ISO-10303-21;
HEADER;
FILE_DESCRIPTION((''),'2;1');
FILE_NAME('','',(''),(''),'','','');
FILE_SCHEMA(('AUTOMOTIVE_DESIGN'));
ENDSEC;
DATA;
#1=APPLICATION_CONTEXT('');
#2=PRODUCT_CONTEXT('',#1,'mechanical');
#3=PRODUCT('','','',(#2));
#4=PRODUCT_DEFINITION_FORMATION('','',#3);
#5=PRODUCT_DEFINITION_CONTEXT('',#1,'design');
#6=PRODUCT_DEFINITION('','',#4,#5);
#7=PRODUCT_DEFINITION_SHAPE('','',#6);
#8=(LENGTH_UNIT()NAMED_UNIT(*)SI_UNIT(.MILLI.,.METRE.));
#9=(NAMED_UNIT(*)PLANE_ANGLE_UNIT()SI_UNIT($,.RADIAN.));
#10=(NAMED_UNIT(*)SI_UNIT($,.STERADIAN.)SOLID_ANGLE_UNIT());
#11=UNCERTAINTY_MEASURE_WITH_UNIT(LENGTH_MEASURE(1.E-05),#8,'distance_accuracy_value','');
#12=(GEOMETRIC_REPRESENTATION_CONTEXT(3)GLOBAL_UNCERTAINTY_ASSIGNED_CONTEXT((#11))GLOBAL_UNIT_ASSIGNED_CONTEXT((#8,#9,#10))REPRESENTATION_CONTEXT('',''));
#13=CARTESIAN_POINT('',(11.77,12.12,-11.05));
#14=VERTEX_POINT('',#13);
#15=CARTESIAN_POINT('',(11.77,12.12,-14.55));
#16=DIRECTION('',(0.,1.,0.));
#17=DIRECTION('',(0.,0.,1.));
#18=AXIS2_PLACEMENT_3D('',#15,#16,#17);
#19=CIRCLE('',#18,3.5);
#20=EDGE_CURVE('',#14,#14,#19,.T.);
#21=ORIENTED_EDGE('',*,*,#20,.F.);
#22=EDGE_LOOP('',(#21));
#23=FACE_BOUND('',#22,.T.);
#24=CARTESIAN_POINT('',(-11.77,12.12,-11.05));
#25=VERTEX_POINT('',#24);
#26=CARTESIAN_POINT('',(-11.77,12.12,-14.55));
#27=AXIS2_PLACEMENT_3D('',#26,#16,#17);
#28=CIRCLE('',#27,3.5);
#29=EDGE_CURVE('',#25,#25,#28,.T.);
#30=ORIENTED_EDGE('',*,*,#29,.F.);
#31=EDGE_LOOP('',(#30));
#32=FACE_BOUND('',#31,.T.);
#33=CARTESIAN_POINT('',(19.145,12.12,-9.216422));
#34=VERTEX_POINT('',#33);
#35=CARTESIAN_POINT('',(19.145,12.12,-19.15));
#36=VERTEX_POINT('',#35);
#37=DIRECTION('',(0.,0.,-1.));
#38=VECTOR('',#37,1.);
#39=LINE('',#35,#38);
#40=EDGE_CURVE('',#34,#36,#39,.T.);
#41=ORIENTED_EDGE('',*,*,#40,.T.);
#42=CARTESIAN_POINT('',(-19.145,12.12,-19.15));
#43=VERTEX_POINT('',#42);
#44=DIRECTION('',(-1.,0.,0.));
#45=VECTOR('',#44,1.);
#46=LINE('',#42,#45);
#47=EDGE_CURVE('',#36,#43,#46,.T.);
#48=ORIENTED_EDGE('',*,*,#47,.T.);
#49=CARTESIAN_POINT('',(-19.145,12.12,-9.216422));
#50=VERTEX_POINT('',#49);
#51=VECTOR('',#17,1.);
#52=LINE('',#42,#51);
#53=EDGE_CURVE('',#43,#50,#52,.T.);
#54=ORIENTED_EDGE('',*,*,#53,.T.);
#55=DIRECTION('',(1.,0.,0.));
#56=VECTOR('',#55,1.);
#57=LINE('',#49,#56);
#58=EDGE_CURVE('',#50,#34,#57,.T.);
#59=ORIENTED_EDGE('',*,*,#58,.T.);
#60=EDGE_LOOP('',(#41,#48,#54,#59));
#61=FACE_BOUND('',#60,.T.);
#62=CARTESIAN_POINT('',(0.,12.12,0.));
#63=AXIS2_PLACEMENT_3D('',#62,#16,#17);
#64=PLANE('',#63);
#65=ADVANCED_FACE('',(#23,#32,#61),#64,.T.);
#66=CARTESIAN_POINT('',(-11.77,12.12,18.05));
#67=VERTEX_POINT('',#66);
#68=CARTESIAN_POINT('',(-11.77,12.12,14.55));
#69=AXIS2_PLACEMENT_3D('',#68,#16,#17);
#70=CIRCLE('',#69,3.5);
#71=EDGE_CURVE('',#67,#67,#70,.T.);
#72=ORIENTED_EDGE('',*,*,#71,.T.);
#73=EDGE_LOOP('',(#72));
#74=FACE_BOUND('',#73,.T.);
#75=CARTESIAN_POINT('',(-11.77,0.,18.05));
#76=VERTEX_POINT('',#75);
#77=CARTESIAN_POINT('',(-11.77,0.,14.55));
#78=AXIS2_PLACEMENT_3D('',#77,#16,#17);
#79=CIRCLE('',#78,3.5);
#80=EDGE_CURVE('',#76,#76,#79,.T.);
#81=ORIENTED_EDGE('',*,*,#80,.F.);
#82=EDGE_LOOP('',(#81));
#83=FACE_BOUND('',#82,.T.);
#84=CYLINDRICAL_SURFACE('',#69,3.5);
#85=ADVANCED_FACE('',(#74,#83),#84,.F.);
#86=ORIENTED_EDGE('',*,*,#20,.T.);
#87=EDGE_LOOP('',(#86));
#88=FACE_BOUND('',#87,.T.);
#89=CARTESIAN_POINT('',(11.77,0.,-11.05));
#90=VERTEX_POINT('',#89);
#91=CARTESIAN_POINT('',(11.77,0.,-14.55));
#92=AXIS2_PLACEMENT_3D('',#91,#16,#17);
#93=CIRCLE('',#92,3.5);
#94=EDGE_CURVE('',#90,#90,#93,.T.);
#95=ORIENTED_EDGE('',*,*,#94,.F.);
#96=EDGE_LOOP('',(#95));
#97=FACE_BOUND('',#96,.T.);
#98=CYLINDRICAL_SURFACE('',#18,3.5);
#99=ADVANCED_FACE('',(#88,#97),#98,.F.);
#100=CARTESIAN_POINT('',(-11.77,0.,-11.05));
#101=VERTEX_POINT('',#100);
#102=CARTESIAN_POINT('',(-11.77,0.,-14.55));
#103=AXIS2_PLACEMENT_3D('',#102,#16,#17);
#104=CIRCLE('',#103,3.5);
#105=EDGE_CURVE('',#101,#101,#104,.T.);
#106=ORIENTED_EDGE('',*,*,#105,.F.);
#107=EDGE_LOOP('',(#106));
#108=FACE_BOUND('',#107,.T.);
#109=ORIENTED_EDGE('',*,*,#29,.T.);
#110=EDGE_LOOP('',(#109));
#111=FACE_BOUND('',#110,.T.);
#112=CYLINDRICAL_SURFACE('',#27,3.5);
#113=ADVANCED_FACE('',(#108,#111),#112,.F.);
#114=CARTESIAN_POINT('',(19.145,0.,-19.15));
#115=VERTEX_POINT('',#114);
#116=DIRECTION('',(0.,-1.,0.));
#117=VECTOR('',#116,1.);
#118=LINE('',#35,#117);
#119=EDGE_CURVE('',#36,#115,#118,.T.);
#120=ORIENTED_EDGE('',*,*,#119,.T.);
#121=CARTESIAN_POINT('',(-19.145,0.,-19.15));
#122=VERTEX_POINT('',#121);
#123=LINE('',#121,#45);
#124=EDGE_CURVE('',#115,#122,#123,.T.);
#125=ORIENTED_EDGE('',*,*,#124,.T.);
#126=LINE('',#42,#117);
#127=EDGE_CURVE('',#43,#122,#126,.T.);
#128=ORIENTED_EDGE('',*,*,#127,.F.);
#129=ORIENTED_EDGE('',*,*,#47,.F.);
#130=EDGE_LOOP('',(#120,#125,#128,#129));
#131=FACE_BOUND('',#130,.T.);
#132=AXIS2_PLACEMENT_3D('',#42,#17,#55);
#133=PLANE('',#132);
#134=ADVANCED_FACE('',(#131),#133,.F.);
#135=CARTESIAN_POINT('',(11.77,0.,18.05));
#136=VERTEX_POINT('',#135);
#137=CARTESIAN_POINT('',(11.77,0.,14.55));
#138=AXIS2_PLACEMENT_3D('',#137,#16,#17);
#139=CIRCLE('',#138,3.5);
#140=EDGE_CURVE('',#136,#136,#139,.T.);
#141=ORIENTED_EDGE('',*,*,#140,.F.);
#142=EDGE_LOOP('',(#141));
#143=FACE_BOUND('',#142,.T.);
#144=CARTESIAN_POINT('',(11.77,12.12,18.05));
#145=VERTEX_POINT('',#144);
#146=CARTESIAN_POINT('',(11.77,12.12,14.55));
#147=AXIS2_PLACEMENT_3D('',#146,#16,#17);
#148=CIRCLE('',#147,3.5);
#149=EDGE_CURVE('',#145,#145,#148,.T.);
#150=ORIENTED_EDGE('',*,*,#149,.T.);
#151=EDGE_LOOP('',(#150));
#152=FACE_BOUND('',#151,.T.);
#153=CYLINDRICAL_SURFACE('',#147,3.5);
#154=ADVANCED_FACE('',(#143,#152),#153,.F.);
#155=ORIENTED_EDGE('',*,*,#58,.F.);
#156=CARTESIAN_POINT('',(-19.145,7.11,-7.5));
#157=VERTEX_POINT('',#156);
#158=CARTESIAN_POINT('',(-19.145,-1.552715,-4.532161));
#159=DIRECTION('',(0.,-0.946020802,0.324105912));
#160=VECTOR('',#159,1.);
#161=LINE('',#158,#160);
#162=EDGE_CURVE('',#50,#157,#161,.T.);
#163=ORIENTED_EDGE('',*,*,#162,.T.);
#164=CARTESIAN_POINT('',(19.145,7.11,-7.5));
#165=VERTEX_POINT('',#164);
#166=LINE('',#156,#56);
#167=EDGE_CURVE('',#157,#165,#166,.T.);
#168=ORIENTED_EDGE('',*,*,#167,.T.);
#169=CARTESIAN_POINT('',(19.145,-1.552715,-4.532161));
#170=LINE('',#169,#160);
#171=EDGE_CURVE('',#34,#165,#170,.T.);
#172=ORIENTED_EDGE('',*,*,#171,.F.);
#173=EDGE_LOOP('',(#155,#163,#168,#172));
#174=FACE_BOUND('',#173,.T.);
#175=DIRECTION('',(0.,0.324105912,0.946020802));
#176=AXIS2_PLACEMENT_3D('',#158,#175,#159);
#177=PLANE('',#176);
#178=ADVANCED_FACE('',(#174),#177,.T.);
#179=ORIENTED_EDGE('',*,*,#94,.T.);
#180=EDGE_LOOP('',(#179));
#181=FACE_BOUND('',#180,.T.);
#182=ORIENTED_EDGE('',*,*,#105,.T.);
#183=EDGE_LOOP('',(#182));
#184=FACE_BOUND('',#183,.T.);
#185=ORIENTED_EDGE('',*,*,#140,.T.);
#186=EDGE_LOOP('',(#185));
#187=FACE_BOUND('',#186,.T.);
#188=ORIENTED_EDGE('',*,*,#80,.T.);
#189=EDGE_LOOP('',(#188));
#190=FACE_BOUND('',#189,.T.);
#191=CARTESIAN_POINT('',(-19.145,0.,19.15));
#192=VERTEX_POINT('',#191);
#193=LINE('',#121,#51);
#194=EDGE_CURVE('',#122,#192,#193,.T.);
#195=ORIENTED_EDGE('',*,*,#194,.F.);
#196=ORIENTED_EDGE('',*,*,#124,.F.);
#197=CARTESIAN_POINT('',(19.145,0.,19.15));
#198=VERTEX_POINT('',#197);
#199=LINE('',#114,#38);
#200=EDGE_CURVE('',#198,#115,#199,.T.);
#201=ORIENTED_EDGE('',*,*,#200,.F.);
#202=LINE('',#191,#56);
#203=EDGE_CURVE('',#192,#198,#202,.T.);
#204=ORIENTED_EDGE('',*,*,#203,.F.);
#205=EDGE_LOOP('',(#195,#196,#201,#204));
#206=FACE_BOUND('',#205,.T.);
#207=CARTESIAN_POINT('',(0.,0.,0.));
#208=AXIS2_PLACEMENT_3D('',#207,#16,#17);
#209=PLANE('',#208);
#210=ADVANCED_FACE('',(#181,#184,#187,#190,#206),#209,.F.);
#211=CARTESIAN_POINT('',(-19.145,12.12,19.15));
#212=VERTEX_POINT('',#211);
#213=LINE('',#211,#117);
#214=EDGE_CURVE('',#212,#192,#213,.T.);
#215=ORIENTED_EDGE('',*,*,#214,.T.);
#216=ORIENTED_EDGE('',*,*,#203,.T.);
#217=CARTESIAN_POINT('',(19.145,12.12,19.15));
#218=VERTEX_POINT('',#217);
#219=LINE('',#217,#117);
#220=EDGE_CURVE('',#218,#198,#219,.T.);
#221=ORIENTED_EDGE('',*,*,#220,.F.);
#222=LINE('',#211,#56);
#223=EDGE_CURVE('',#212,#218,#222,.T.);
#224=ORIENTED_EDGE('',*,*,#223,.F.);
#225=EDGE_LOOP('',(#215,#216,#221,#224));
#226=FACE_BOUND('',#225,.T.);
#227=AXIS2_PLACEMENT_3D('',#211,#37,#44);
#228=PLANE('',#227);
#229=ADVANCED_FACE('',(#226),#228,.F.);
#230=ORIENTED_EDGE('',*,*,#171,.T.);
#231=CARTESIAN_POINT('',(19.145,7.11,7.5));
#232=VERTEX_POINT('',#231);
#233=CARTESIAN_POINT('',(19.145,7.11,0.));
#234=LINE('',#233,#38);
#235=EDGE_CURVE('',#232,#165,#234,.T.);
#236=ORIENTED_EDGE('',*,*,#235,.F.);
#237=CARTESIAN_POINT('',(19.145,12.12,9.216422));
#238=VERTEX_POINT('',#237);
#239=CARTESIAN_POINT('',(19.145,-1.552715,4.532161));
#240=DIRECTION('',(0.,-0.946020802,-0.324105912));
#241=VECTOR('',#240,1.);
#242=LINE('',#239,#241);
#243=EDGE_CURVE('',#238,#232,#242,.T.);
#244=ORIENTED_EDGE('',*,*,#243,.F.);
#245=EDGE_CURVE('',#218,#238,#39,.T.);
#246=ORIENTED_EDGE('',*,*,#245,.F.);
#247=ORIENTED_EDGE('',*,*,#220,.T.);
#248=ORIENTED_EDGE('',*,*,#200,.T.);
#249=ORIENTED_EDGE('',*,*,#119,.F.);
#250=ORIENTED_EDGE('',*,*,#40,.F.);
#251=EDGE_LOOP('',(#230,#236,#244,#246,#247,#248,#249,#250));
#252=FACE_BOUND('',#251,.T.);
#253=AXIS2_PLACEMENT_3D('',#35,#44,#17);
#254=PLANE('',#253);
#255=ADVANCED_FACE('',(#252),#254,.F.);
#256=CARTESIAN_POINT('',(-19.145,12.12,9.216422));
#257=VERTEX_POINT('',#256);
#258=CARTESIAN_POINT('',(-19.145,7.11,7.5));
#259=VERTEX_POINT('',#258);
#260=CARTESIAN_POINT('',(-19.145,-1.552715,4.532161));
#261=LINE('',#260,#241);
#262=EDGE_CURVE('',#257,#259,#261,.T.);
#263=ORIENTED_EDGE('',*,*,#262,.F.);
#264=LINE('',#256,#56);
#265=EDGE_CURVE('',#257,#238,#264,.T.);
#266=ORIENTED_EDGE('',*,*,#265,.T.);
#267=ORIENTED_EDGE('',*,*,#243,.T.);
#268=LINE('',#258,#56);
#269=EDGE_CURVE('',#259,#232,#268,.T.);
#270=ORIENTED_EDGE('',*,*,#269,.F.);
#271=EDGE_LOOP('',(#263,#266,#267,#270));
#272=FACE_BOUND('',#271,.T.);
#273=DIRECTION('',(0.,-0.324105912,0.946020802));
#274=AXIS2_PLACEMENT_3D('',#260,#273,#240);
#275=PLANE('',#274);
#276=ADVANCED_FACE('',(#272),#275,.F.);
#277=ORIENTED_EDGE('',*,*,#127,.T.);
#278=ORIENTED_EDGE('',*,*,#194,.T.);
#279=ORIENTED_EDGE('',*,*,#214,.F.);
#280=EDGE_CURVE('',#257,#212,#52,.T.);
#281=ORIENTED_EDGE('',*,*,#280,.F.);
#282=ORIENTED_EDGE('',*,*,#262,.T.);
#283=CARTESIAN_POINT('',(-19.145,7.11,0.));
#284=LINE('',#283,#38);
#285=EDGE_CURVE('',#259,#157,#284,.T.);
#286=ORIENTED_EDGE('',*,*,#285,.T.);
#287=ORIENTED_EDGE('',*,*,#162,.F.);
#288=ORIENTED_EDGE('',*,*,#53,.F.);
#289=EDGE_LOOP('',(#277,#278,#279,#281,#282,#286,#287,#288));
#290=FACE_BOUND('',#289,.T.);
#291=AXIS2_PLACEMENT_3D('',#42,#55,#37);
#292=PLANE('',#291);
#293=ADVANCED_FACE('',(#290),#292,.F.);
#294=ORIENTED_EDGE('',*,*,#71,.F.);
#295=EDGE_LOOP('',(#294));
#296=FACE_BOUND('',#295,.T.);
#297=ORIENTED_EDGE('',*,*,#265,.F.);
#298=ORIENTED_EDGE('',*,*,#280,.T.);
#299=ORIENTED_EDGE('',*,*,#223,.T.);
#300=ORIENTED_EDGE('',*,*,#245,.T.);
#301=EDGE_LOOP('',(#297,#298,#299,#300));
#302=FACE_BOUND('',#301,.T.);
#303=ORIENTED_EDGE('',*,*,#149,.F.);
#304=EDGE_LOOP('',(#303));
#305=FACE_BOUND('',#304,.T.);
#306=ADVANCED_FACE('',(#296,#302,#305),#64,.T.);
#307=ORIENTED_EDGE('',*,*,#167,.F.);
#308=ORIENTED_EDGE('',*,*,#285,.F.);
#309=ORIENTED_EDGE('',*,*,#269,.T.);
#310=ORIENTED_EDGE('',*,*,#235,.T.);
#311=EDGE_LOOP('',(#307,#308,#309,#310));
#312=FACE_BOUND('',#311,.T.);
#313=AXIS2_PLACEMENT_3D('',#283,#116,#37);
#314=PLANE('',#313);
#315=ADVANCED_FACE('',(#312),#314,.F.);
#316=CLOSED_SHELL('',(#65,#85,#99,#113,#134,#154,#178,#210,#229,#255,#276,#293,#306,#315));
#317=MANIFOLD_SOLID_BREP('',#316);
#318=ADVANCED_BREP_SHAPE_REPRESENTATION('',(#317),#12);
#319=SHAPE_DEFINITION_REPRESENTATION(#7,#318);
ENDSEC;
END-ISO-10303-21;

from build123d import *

# Parameters (mm, degrees)
SKETCH1_W                            = 38.29
SKETCH1_H                            = 38.3
BOSS_EXTRUDE1_DEPTH                  = 12.12
CUT_EXTRUDE1_DEPTH                   = 45.494280531
M8X1_0_TAPPED_HOLE2_D                = 7
MIRROR1_AT_THE_SECOND_PLANE_COPY_1_D = 7


with BuildPart() as part:
    # Sketch1 → Boss-Extrude1 (new body)
    with BuildSketch(Plane(origin=(0, 0, 0), x_dir=(1, 0, 0), z_dir=(0, 1, 0))):
        Rectangle(SKETCH1_W, SKETCH1_H)
    extrude(amount=BOSS_EXTRUDE1_DEPTH)

    # Sketch2 → Cut-Extrude1 (cut, through all)
    with BuildSketch(Plane(origin=(19.145, 0, 0), x_dir=(0, 0, -1), z_dir=(1, 0, 0))):
        with BuildLine():
            Line((8.348193896, 12.12), (-7.620525527, 12.12))
            ThreePointArc((-7.620525527, 12.12), (-7.350184436, 9.500113986), (-6.243729663, 7.11))
            Line((-6.243729663, 7.11), (6.971398032, 7.11))
            ThreePointArc((6.971398032, 7.11), (8.007802748, 9.259969363), (8.363834185, 11.62))
            ThreePointArc((8.363834185, 11.62), (8.359923156, 11.870122279), (8.348193896, 12.12))
        make_face()
        with BuildLine():
            Line((-7.620525527, 12.12), (-9.216421688, 12.12))
            Line((-9.216421688, 12.12), (-7.5, 7.11))
            Line((-7.5, 7.11), (-6.243729663, 7.11))
            ThreePointArc((-6.243729663, 7.11), (-7.350184436, 9.500113986), (-7.620525527, 12.12))
        make_face()
        with BuildLine():
            Line((9.216421688, 12.12), (8.348193896, 12.12))
            ThreePointArc((8.348193896, 12.12), (8.359923156, 11.870122279), (8.363834185, 11.62))
            ThreePointArc((8.363834185, 11.62), (8.007802748, 9.259969363), (6.971398032, 7.11))
            Line((6.971398032, 7.11), (7.5, 7.11))
            Line((7.5, 7.11), (9.216421688, 12.12))
        make_face()
    extrude(amount=-CUT_EXTRUDE1_DEPTH, mode=Mode.SUBTRACT)

    # M8x1.0 Tapped Hole2 (through all)
    with Locations(Plane(origin=(0, 12.12, 0), x_dir=(1, 0, 0), z_dir=(0, 1, 0))):
        with Locations((-11.77, 14.55), (11.77, 14.55), (-11.77, -14.55), (11.77, -14.55)):
            m8x1_0_tapped_hole2 = Hole(M8X1_0_TAPPED_HOLE2_D / 2)

    # Mirror1: M8x1.0 Tapped Hole2 across plane
    add(m8x1_0_tapped_hole2.mirror(Plane.XY), mode=Mode.SUBTRACT)

    # Mirror1 at the second plane: M8x1.0 Tapped Hole2 across plane
    add(m8x1_0_tapped_hole2.mirror(Plane(origin=(0, 0, 0), x_dir=(0, 0, 1), z_dir=(1, 0, 0))), mode=Mode.SUBTRACT)

    # Mirror1 at the second plane copy 1 (through all)
    with Locations(Plane(origin=(0, 12.12, 0), x_dir=(-1, 0, 0), z_dir=(0, 1, 0))):
        with Locations((-11.77, 14.55), (11.77, 14.55), (-11.77, -14.55), (11.77, -14.55)):
            Hole(MIRROR1_AT_THE_SECOND_PLANE_COPY_1_D / 2)


solid = part.part
